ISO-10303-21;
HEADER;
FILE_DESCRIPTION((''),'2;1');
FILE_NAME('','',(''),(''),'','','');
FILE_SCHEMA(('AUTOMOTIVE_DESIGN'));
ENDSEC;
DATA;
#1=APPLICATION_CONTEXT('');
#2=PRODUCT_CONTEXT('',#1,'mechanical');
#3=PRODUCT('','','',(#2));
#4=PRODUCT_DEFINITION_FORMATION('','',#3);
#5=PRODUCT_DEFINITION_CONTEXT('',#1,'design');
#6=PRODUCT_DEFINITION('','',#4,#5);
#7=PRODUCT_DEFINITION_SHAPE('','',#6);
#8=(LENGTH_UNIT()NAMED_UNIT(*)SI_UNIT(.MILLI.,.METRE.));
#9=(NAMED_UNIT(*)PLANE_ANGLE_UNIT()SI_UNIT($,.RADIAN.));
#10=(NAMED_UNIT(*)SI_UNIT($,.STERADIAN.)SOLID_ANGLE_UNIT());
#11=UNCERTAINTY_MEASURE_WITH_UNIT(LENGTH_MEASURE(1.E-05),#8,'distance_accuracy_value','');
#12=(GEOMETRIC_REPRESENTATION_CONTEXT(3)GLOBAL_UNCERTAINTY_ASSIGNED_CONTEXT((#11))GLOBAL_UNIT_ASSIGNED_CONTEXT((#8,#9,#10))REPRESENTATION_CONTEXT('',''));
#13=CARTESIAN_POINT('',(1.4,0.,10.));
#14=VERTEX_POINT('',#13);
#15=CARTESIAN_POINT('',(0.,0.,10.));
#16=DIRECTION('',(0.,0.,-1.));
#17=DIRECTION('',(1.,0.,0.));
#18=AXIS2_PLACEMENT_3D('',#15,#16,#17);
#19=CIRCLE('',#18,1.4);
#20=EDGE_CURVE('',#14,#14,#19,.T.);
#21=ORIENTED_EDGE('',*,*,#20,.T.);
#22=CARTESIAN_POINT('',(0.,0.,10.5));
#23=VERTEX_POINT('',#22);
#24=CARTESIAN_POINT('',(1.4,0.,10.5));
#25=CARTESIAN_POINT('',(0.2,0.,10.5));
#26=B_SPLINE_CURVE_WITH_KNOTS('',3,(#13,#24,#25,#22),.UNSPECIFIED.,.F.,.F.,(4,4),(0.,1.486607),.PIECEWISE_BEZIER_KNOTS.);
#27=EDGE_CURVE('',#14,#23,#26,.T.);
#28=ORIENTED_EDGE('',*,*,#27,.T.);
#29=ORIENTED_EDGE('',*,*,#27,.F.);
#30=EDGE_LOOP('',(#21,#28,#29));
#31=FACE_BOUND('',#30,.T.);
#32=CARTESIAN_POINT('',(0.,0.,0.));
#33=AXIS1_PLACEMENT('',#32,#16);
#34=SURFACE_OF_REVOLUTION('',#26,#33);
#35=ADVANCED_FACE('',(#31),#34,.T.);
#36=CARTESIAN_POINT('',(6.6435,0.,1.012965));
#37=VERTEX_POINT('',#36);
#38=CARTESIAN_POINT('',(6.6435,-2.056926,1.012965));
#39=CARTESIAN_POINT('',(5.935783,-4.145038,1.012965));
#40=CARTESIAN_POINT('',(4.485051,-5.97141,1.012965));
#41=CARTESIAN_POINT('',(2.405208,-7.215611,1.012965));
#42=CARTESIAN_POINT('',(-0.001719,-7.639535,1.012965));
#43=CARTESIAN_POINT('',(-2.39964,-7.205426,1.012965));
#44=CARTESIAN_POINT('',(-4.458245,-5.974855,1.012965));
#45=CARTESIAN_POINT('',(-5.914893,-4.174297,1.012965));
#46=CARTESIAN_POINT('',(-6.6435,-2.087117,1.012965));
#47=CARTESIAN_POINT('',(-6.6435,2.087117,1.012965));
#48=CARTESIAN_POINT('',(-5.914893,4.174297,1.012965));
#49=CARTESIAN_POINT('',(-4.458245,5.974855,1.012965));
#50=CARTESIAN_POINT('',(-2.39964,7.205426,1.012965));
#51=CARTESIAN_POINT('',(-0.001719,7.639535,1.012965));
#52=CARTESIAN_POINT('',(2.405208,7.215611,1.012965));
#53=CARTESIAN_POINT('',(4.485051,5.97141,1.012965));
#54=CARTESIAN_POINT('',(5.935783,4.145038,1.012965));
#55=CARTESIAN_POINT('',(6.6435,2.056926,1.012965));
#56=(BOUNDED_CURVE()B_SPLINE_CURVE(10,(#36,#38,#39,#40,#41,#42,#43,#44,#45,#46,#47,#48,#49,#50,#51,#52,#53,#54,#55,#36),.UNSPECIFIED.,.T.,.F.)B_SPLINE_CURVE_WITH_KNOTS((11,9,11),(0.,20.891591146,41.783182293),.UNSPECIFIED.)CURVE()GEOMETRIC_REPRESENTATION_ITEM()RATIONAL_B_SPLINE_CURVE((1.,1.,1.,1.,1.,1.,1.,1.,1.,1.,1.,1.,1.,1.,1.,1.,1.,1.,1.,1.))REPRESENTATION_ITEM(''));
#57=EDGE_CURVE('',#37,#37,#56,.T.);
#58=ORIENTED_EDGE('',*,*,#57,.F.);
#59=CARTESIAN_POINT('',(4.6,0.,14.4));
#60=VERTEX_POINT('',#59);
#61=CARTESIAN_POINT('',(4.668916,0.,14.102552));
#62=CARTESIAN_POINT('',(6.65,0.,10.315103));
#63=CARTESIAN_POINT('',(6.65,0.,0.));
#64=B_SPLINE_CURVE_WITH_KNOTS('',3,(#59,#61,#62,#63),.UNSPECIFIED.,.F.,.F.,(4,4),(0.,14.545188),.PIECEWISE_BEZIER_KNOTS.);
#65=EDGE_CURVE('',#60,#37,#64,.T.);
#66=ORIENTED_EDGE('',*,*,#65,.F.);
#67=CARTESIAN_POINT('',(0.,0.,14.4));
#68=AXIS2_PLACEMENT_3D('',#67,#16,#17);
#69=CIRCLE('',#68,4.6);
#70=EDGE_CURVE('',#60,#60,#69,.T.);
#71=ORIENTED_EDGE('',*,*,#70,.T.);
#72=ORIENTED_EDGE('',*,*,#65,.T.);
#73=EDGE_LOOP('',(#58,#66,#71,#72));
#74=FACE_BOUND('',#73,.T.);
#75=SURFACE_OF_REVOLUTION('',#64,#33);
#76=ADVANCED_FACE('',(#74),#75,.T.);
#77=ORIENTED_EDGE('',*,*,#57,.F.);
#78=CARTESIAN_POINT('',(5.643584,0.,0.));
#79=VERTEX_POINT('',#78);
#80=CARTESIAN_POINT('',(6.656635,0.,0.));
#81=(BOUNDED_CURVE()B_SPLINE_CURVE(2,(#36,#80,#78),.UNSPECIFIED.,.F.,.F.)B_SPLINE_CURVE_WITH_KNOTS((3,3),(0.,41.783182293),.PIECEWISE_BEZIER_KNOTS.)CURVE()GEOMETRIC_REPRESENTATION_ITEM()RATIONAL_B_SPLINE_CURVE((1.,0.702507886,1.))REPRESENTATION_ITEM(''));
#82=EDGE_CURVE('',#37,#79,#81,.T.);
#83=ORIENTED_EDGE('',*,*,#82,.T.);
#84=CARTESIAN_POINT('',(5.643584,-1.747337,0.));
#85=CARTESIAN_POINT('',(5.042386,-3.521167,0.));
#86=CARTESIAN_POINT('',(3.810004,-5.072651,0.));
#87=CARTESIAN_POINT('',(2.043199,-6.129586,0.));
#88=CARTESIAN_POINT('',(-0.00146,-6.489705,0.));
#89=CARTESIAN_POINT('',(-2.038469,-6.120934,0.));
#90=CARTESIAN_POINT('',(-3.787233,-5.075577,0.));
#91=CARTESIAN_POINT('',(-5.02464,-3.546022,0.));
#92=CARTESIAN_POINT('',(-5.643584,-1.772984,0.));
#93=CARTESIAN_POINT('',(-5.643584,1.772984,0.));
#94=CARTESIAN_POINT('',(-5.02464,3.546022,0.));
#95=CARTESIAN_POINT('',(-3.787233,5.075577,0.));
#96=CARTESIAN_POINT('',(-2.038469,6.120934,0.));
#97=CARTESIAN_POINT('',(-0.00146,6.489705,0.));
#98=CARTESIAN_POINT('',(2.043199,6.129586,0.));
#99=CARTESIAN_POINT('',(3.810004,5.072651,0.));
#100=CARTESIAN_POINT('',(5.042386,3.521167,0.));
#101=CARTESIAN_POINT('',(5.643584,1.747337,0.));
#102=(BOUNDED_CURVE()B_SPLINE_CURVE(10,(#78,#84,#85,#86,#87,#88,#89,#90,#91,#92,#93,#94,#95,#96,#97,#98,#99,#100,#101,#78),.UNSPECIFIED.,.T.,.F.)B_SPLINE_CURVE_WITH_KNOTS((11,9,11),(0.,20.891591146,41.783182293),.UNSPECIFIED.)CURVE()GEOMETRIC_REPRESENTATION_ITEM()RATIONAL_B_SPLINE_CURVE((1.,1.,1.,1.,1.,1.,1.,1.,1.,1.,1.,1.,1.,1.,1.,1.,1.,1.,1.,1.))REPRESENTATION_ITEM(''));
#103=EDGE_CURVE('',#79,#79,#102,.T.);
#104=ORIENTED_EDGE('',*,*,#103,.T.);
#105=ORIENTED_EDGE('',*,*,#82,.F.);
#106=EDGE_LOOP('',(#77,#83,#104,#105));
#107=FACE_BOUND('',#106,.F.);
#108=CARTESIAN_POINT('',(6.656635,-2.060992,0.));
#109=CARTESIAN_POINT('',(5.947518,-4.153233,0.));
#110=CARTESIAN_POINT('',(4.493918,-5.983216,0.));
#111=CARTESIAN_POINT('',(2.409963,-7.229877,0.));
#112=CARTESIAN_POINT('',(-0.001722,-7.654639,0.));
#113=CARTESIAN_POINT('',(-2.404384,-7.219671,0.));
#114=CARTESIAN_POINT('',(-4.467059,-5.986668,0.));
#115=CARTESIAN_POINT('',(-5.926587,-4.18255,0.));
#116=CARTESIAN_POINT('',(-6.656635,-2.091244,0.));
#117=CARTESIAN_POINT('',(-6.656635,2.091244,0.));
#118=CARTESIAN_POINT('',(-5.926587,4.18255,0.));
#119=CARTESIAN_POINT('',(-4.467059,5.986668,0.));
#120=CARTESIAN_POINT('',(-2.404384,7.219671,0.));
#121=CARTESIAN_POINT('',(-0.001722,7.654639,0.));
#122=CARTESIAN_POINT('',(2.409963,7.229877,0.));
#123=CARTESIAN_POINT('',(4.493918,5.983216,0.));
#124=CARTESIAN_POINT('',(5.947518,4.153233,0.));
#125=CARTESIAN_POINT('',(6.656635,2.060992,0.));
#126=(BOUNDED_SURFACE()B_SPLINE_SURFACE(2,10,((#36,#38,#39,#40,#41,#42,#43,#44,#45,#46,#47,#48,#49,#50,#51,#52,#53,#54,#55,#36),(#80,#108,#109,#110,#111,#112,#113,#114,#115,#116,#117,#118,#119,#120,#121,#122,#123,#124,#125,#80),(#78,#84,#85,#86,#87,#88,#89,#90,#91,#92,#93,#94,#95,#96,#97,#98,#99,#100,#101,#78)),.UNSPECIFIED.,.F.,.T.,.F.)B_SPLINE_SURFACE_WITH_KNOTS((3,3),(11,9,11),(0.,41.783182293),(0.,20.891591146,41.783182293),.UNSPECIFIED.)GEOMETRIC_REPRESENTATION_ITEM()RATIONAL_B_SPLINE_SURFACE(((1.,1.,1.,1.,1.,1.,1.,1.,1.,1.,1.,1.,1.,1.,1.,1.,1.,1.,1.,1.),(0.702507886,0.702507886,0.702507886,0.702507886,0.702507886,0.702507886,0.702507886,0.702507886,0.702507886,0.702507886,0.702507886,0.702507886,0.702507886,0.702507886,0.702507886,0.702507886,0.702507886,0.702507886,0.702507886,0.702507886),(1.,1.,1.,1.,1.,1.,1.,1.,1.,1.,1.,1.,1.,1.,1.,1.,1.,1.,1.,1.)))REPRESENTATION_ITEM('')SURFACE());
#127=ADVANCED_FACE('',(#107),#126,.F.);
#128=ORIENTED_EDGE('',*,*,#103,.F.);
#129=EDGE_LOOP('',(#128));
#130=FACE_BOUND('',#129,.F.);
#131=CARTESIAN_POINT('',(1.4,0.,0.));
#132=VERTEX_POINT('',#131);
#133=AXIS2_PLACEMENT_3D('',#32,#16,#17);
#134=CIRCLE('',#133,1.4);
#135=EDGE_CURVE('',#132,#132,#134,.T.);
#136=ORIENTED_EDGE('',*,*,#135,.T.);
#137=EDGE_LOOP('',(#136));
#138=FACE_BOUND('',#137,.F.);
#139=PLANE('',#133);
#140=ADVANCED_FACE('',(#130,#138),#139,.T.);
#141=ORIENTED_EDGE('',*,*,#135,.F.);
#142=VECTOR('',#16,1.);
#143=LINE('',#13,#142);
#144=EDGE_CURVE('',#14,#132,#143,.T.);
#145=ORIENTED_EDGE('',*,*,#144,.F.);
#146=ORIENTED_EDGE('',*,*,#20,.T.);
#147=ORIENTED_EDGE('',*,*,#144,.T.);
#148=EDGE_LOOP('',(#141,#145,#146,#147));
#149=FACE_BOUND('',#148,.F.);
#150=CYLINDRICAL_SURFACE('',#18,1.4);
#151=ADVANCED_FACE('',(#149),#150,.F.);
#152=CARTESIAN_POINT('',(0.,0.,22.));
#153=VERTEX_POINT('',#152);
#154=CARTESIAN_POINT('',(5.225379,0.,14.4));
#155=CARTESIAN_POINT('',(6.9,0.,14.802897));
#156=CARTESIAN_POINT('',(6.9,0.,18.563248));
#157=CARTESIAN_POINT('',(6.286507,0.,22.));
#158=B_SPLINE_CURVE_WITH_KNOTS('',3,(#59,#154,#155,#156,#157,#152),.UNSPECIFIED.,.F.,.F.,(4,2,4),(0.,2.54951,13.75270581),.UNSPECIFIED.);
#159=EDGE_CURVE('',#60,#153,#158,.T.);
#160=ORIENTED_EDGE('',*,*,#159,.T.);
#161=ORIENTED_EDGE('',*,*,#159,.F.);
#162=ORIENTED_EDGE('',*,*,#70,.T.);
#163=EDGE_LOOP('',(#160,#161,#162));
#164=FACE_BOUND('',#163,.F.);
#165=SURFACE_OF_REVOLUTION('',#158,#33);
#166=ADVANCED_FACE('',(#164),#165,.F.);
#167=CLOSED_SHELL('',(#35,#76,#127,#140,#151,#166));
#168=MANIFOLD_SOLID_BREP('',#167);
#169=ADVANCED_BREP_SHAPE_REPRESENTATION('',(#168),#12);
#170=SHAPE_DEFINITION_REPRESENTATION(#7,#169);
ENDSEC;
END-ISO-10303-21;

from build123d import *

# Parameters (mm, degrees)
F2_R = 1


with BuildPart() as f1:
    # F0 (on Front) → F1 (revolve)
    with BuildSketch(Plane.XZ):
        with BuildLine():
            add(Edge.make_bspline(
                [(1.4, 10), (1.4, 10.5), (0.2, 10.5), (0, 10.5)],
                knots=[0, 0, 0, 0, 1.486607, 1.486607, 1.486607, 1.486607], degree=3))
            Line((1.4, 10), (1.4, 0))
            Line((1.4, 0), (6.65, 0))
            add(Edge.make_bspline(
                [(4.6, 14.4), (4.668916, 14.102552), (6.65, 10.315103), (6.65, 0)],
                knots=[0, 0, 0, 0, 14.545188, 14.545188, 14.545188, 14.545188], degree=3))
            add(Edge.make_bspline(
                [(4.6, 14.4), (5.225379, 14.4), (6.9, 14.802897), (6.9, 15.5)],
                knots=[0, 0, 0, 0, 2.54951, 2.54951, 2.54951, 2.54951], degree=3))
            add(Edge.make_bspline(
                [(0, 22), (6.286507, 22), (6.9, 18.563248), (6.9, 15.5)],
                knots=[0, 0, 0, 0, 9.479451, 9.479451, 9.479451, 9.479451], degree=3))
            Line((0, 22), (0, 10.5))
        make_face()
    revolve(axis=Axis((0, 0, 0), (0, 0, -1)))

    # F2
    f2_edges = [f1.edges().sort_by_distance(p)[0] for p in [
        (-6.65, 0, 0),
    ]]
    fillet(f2_edges, radius=F2_R)


solid = f1.part
